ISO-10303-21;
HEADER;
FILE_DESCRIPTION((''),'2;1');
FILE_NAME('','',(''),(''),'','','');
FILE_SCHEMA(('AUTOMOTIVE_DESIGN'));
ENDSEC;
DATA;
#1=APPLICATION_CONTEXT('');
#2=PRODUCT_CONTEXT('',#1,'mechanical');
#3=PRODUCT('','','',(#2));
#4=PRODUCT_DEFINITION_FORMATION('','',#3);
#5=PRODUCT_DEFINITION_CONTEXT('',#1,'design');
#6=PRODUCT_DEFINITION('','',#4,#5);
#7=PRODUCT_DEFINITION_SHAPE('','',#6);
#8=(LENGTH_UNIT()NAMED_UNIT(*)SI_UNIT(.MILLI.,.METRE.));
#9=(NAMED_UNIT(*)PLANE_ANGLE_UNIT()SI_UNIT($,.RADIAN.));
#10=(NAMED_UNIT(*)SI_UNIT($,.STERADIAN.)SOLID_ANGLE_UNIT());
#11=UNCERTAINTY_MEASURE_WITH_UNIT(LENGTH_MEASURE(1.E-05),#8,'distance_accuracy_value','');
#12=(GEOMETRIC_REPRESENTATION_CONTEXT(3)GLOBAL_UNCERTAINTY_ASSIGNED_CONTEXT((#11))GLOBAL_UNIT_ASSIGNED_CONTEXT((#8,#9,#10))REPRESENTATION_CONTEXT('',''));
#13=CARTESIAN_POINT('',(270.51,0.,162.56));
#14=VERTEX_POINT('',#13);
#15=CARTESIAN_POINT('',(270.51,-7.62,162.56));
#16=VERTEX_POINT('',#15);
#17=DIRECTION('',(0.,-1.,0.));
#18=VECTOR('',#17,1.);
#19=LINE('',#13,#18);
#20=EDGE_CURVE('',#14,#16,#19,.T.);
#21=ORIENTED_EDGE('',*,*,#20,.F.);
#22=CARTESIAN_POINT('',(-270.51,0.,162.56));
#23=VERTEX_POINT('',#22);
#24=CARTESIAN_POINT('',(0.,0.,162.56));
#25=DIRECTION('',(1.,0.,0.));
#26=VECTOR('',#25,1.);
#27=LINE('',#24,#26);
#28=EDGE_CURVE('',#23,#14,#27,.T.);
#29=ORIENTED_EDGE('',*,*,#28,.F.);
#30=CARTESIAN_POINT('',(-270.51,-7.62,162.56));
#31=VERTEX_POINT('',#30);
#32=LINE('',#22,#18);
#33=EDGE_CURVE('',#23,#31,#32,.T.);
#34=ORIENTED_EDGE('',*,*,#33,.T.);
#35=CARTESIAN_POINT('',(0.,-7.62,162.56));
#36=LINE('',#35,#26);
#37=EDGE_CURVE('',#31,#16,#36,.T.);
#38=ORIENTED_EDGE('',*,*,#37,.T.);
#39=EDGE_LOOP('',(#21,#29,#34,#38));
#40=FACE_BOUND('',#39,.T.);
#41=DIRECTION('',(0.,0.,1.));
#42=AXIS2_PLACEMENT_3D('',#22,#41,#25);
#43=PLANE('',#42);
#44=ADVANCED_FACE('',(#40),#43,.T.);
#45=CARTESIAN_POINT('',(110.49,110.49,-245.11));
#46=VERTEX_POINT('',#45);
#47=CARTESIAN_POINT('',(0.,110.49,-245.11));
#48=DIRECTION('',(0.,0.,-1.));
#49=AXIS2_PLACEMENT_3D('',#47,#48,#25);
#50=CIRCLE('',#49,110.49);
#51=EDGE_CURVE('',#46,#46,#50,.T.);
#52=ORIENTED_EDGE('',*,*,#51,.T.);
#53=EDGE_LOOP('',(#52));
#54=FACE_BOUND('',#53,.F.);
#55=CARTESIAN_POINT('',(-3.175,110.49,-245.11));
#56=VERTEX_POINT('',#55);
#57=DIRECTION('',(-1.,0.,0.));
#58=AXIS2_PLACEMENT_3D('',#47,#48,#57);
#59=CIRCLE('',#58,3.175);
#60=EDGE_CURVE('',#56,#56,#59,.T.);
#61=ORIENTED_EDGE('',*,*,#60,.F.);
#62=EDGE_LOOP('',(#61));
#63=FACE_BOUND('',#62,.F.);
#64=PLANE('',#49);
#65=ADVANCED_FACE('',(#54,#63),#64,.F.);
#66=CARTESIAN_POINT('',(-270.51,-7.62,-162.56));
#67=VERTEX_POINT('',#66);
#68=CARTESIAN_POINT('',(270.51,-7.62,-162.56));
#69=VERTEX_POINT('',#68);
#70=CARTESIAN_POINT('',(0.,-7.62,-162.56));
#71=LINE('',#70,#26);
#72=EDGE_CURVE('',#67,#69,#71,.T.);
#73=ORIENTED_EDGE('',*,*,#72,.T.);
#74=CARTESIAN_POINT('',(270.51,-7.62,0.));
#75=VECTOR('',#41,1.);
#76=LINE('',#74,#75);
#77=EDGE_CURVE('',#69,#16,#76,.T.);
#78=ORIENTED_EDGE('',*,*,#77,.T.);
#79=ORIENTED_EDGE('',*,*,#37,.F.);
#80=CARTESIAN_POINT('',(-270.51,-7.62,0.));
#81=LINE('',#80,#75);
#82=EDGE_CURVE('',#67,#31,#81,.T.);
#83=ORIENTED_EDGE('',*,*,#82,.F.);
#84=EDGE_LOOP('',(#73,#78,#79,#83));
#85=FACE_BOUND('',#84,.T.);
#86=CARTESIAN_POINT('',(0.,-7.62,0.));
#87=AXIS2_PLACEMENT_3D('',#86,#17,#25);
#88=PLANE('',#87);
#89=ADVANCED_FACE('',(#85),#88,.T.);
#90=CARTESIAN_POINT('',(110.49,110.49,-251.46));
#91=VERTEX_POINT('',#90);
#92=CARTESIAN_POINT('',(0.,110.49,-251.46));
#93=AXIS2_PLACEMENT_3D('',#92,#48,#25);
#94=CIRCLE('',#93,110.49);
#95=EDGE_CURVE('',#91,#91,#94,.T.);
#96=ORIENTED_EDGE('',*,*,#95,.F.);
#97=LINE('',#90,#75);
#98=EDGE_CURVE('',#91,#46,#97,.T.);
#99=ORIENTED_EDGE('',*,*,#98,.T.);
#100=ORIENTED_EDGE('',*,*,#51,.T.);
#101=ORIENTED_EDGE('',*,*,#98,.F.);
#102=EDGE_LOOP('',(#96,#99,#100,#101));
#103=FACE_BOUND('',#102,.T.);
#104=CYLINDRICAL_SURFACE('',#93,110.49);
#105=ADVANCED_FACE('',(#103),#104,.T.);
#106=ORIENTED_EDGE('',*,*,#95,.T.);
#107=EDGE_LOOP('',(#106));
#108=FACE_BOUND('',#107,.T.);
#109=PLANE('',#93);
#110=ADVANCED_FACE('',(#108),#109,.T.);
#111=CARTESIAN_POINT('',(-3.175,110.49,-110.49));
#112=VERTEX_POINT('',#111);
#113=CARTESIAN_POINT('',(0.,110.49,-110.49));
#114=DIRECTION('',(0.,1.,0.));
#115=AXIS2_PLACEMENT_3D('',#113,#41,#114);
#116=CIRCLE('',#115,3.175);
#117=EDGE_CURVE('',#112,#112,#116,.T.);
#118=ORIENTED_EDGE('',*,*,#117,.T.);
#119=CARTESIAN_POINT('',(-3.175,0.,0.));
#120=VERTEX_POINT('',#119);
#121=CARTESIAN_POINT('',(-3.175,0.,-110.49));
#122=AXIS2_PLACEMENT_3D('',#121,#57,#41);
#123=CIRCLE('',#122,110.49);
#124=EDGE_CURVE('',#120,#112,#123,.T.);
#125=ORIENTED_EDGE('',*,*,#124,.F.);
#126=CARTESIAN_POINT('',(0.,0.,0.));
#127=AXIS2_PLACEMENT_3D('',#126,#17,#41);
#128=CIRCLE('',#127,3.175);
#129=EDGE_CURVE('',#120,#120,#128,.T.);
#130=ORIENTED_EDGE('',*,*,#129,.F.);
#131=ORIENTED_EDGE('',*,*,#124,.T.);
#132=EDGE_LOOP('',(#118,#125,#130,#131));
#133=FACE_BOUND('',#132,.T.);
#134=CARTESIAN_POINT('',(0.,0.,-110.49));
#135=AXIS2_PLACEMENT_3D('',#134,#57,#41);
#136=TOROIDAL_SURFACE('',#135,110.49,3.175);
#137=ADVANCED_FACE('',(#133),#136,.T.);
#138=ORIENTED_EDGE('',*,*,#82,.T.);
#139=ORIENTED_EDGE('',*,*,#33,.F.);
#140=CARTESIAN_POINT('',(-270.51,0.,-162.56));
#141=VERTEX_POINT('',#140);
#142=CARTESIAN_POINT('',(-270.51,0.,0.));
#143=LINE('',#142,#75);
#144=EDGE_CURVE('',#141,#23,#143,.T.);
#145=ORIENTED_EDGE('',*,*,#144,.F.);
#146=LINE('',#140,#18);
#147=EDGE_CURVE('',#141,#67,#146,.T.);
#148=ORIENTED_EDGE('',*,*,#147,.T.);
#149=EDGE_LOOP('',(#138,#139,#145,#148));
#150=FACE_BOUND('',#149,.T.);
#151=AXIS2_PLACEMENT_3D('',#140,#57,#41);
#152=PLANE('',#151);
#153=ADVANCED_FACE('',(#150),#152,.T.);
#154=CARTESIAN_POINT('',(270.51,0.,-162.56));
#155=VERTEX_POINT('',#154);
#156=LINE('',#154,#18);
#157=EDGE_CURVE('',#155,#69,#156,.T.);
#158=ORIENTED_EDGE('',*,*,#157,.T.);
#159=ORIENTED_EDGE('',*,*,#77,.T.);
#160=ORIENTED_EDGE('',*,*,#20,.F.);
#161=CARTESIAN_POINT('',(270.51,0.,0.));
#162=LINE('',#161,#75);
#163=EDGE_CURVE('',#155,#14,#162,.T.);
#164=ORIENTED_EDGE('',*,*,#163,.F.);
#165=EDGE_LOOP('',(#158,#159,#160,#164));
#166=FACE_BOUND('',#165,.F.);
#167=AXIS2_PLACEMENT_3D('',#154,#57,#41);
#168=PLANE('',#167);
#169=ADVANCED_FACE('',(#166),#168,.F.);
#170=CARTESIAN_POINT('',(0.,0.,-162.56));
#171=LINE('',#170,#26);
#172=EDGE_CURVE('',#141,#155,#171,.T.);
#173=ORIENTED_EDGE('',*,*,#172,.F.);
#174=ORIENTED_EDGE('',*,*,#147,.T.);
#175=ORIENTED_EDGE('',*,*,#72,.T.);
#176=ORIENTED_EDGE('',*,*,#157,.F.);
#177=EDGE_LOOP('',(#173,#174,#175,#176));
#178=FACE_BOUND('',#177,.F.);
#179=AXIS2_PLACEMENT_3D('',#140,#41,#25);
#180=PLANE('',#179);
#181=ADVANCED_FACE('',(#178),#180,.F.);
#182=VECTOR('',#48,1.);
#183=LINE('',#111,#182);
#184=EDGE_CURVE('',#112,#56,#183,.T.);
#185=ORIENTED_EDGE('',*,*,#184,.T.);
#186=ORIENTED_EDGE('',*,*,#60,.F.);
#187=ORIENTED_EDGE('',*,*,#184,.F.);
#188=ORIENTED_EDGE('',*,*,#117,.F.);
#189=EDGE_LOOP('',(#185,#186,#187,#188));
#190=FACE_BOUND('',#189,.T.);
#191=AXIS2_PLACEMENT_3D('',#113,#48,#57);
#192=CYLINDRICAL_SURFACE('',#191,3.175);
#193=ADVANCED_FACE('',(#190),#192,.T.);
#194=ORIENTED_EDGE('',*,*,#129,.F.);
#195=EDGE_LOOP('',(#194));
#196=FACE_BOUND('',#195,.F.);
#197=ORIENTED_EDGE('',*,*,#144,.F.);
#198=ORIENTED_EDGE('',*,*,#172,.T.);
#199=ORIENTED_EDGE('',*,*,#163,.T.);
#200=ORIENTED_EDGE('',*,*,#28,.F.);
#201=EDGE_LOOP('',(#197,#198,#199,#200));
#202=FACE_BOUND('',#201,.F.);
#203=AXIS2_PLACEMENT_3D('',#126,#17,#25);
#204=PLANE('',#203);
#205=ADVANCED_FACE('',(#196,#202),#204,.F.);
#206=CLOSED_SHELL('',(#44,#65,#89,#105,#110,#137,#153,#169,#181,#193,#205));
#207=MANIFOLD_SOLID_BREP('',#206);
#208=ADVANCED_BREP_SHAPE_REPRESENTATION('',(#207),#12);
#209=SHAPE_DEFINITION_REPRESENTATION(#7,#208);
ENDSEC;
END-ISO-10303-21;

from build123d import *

# Parameters (mm, degrees)
F0_W     = 541.02
F0_H     = 325.12
F1_DEPTH = 7.62
F3_R     = 3.175
F5_R     = 110.49
F5_R_2   = 3.175
F6_DEPTH = 6.35


with BuildPart() as f1:
    # F0 (on Front) → F1 (new body)
    with BuildSketch(Plane.XZ):
        Rectangle(F0_W, F0_H)
    extrude(amount=F1_DEPTH)

    # F4: sweep along a path in F2
    with BuildLine(Plane.YZ) as f4_path:
        ThreePointArc((0, 0), (78.1282282533, -32.3617717467), (110.49, -110.49))
        Line((110.49, -110.49), (110.49, -251.46))
    # F3 (on face) → F4 (sweep)
    with BuildSketch(Plane(origin=(0, 0, 0), x_dir=(-1, 0, 0), z_dir=(0, 1, 0))):
        Circle(F3_R)
    sweep(path=f4_path.line)

    # F5 (on face) → F6 (join)
    with BuildSketch(Plane(origin=(0, 0, -251.46), x_dir=(1, 0, 0), z_dir=(0, 0, -1))):
        with Locations((0, -110.49)):
            Circle(F5_R)
        with Locations((0, -110.49)):
            Circle(F5_R_2, mode=Mode.SUBTRACT)
    extrude(amount=-F6_DEPTH)


solid = f1.part
